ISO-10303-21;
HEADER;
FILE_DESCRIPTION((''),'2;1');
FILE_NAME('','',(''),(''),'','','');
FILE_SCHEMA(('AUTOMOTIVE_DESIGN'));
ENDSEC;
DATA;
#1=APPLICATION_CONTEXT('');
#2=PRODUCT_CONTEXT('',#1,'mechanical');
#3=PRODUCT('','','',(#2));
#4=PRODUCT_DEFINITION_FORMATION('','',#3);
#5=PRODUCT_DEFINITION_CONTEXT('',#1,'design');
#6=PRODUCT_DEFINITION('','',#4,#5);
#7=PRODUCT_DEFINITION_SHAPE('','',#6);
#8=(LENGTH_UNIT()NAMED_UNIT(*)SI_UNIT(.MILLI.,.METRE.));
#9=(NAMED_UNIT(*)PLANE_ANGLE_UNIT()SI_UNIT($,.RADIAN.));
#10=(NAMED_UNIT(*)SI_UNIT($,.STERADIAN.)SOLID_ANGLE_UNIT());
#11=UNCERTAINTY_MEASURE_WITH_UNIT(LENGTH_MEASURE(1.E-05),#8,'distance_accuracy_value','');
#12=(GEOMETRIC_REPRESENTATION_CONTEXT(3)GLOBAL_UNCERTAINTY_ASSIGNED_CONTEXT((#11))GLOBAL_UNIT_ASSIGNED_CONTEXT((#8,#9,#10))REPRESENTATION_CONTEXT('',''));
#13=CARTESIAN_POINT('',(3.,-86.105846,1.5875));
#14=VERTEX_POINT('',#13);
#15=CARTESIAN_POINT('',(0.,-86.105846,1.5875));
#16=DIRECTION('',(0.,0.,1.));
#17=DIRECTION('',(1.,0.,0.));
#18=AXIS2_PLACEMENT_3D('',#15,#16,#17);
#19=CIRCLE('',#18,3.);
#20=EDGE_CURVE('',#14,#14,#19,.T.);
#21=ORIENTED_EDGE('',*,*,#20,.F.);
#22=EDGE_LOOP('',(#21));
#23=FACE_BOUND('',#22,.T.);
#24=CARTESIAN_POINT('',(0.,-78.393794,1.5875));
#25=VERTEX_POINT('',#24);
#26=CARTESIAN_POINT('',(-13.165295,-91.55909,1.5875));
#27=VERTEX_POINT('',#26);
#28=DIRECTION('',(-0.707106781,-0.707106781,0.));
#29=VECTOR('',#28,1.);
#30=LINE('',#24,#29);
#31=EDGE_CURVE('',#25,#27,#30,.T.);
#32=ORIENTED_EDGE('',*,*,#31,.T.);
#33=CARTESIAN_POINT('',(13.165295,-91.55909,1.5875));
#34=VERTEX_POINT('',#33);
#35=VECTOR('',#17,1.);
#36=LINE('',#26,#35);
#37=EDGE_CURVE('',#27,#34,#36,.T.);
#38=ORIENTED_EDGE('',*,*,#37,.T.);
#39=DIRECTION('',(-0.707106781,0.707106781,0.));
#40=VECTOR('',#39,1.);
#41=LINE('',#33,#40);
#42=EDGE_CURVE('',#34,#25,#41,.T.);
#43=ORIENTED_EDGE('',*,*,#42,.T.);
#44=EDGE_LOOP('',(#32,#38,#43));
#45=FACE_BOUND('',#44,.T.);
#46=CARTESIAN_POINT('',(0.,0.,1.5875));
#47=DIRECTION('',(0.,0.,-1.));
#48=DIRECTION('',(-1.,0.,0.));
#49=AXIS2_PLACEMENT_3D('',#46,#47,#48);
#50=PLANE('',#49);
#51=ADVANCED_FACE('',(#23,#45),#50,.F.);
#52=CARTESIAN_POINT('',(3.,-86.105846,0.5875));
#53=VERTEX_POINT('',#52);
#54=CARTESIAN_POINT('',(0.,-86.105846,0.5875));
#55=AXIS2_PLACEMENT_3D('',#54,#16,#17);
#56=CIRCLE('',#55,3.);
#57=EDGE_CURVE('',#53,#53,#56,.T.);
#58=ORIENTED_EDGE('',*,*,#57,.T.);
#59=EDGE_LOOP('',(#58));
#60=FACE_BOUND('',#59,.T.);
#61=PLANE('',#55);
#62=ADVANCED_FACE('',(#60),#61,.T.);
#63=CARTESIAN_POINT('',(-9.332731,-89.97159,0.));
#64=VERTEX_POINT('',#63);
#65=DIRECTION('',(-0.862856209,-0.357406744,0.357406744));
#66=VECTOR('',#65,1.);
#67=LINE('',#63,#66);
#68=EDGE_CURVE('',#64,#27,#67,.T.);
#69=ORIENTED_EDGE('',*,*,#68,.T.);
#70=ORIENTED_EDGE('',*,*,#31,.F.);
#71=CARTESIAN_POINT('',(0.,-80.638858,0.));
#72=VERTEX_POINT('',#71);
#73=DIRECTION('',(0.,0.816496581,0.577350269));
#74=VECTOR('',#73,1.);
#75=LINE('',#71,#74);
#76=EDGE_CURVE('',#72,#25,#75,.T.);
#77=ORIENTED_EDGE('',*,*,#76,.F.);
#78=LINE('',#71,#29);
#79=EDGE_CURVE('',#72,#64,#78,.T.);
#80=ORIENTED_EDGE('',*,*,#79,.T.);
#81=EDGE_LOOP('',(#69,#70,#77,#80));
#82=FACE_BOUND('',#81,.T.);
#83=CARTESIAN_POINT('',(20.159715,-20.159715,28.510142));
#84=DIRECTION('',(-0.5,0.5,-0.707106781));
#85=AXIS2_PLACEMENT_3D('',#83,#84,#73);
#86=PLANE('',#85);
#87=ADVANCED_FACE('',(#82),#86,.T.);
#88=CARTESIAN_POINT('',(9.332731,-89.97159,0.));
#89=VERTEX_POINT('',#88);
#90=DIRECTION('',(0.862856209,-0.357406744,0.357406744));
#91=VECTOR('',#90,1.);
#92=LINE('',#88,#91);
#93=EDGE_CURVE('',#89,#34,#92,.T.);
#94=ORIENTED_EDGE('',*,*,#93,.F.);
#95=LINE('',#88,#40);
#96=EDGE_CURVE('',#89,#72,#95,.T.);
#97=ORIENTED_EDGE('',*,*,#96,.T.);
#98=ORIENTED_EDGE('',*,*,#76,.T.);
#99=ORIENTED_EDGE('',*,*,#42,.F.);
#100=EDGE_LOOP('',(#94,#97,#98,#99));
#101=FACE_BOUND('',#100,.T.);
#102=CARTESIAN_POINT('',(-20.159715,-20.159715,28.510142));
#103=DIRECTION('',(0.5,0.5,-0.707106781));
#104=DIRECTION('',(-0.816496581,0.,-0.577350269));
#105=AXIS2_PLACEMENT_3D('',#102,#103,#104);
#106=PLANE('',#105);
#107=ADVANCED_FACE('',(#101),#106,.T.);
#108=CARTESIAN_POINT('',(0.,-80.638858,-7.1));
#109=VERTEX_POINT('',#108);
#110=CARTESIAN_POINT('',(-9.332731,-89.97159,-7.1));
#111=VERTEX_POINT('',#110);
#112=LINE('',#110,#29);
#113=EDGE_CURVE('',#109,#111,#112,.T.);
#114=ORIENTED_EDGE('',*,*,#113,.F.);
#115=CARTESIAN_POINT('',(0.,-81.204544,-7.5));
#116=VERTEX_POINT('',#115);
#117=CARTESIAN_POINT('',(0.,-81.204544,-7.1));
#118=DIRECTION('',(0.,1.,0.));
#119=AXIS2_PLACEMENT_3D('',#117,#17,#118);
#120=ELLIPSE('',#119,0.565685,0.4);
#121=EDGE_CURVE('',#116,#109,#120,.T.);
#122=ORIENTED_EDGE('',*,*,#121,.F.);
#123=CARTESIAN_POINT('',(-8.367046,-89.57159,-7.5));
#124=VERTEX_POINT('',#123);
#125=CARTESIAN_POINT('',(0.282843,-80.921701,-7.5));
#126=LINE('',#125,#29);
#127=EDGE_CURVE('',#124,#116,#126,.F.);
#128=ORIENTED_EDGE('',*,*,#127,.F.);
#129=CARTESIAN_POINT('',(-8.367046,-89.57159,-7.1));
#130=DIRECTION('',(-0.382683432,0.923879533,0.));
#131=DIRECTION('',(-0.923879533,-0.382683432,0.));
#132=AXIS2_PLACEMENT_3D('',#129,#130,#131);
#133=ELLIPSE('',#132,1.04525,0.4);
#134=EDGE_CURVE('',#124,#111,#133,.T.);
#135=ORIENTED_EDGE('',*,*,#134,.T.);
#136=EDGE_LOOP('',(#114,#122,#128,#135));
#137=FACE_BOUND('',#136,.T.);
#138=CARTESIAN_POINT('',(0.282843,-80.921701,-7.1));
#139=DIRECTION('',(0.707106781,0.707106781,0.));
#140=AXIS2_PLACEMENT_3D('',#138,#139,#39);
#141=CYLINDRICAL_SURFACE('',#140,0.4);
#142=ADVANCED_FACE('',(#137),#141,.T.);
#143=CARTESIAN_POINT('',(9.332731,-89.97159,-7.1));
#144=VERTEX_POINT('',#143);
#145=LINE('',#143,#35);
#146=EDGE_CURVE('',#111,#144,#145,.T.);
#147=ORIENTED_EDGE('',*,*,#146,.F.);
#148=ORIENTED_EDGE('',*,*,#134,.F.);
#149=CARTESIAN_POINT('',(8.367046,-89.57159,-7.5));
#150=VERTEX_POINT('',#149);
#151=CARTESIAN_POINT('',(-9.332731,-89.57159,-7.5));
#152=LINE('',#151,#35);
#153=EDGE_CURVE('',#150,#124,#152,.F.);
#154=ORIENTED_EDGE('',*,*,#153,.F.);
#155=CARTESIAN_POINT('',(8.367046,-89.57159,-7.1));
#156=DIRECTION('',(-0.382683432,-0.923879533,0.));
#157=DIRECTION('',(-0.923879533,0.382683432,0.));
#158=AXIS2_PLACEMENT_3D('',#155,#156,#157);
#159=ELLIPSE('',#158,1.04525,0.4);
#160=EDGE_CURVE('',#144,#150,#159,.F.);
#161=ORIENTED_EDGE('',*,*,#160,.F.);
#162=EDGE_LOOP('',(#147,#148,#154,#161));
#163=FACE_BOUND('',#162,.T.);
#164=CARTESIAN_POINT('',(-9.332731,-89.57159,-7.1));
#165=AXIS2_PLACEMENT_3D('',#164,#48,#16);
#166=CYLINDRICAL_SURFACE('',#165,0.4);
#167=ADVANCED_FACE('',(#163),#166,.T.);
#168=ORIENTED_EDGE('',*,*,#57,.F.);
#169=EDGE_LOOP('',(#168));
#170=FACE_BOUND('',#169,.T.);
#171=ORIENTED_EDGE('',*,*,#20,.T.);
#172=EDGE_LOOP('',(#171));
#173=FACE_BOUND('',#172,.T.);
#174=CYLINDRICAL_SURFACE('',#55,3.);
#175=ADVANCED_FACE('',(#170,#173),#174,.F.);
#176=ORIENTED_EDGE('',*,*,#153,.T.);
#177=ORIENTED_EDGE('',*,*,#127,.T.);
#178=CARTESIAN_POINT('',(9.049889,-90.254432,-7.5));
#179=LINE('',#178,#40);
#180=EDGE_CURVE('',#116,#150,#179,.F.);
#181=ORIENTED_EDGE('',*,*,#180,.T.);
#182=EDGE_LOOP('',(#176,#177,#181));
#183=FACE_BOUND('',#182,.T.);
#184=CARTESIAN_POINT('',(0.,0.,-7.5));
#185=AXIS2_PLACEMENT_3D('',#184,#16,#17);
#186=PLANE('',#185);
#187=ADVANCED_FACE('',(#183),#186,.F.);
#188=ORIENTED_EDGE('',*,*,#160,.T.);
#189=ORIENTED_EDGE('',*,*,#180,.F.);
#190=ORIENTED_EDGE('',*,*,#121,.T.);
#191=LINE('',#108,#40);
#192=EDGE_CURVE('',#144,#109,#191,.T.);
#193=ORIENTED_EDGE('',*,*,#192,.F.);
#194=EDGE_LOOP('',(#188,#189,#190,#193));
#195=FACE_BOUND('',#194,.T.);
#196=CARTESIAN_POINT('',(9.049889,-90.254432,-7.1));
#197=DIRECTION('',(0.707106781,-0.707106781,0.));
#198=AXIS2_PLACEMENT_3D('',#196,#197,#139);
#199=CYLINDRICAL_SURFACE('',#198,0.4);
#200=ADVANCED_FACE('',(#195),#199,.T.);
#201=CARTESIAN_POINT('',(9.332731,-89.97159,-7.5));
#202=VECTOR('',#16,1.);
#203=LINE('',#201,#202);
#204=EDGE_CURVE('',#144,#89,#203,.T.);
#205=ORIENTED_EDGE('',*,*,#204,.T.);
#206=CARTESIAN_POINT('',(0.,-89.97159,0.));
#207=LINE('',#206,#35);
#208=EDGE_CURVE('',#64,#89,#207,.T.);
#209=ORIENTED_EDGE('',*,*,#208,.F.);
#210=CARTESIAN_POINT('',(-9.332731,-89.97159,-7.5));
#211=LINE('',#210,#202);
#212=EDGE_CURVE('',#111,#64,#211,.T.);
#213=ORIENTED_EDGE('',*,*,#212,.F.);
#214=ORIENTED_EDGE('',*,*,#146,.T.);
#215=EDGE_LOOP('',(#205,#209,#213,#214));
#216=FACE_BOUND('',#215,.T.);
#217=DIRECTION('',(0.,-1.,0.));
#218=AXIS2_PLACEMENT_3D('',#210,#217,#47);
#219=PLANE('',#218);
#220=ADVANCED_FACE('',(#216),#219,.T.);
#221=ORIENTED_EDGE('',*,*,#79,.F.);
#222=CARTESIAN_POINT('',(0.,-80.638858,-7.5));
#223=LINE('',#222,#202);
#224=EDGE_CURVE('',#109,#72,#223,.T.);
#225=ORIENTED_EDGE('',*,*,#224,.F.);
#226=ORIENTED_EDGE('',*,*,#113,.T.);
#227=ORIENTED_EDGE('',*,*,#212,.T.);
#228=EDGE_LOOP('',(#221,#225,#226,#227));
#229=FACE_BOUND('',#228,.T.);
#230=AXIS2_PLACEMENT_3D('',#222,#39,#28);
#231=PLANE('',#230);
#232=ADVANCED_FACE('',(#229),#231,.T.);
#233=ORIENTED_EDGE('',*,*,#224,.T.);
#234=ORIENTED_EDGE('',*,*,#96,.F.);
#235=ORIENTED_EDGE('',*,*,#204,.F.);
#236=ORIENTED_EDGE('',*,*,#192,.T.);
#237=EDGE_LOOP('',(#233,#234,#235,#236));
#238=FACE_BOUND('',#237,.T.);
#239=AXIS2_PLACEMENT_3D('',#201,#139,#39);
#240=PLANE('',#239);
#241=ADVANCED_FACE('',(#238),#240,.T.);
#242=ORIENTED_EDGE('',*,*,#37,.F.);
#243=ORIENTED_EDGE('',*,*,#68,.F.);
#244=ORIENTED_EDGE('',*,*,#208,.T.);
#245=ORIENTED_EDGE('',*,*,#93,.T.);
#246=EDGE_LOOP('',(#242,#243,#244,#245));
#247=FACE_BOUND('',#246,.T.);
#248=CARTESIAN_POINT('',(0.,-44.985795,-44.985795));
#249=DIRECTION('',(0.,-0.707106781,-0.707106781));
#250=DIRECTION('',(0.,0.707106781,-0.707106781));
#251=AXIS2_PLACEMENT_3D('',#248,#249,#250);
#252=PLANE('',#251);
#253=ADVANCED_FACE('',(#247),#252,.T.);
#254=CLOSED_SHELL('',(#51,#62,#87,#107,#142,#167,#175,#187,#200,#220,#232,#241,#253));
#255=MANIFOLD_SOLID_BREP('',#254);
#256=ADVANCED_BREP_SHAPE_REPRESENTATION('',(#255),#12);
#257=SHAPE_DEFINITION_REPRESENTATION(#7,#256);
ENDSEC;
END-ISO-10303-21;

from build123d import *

# Parameters (mm, degrees)
BOSS_EXTRUDE1_DEPTH = 7.5
FILLET1_R           = 0.4
SKETCH3_R           = 3
CUT_EXTRUDE2_DEPTH  = 1


with BuildPart() as part:
    # Sketch1 → Boss-Extrude1 (new body)
    with BuildSketch(Plane.XY):
        Polygon((9.332731301, -89.971589642), (0, -80.638858341), (-9.332731301, -89.971589642), align=None)
    extrude(amount=-BOSS_EXTRUDE1_DEPTH)

    # Sketch2 → section 1 of loft1
    with BuildSketch(Plane.XY.offset(1.5875), mode=Mode.PRIVATE) as loft1_s1:
        Polygon((-13.165295331, -91.559089642), (13.165295331, -91.559089642), (0, -78.393794311), align=None)
    # loft from a face of the part (loft1)
    loft([part.faces().sort_by_distance((0, -86.860679209, 0))[0], loft1_s1.sketch])

    # Fillet1
    fillet1_edges = [part.edges().sort_by_distance(p)[0] for p in [
        (-4.666365651, -85.305223992, -7.5),
        (0, -89.971589642, -7.5),
        (4.666365651, -85.305223992, -7.5),
    ]]
    fillet(fillet1_edges, radius=FILLET1_R)

    # Sketch3 → Cut-Extrude2 (cut)
    with BuildSketch(Plane.XY.offset(1.5875)):
        with Locations((0, -86.105845763)):
            Circle(SKETCH3_R)
    extrude(amount=-CUT_EXTRUDE2_DEPTH, mode=Mode.SUBTRACT)


solid = part.part
